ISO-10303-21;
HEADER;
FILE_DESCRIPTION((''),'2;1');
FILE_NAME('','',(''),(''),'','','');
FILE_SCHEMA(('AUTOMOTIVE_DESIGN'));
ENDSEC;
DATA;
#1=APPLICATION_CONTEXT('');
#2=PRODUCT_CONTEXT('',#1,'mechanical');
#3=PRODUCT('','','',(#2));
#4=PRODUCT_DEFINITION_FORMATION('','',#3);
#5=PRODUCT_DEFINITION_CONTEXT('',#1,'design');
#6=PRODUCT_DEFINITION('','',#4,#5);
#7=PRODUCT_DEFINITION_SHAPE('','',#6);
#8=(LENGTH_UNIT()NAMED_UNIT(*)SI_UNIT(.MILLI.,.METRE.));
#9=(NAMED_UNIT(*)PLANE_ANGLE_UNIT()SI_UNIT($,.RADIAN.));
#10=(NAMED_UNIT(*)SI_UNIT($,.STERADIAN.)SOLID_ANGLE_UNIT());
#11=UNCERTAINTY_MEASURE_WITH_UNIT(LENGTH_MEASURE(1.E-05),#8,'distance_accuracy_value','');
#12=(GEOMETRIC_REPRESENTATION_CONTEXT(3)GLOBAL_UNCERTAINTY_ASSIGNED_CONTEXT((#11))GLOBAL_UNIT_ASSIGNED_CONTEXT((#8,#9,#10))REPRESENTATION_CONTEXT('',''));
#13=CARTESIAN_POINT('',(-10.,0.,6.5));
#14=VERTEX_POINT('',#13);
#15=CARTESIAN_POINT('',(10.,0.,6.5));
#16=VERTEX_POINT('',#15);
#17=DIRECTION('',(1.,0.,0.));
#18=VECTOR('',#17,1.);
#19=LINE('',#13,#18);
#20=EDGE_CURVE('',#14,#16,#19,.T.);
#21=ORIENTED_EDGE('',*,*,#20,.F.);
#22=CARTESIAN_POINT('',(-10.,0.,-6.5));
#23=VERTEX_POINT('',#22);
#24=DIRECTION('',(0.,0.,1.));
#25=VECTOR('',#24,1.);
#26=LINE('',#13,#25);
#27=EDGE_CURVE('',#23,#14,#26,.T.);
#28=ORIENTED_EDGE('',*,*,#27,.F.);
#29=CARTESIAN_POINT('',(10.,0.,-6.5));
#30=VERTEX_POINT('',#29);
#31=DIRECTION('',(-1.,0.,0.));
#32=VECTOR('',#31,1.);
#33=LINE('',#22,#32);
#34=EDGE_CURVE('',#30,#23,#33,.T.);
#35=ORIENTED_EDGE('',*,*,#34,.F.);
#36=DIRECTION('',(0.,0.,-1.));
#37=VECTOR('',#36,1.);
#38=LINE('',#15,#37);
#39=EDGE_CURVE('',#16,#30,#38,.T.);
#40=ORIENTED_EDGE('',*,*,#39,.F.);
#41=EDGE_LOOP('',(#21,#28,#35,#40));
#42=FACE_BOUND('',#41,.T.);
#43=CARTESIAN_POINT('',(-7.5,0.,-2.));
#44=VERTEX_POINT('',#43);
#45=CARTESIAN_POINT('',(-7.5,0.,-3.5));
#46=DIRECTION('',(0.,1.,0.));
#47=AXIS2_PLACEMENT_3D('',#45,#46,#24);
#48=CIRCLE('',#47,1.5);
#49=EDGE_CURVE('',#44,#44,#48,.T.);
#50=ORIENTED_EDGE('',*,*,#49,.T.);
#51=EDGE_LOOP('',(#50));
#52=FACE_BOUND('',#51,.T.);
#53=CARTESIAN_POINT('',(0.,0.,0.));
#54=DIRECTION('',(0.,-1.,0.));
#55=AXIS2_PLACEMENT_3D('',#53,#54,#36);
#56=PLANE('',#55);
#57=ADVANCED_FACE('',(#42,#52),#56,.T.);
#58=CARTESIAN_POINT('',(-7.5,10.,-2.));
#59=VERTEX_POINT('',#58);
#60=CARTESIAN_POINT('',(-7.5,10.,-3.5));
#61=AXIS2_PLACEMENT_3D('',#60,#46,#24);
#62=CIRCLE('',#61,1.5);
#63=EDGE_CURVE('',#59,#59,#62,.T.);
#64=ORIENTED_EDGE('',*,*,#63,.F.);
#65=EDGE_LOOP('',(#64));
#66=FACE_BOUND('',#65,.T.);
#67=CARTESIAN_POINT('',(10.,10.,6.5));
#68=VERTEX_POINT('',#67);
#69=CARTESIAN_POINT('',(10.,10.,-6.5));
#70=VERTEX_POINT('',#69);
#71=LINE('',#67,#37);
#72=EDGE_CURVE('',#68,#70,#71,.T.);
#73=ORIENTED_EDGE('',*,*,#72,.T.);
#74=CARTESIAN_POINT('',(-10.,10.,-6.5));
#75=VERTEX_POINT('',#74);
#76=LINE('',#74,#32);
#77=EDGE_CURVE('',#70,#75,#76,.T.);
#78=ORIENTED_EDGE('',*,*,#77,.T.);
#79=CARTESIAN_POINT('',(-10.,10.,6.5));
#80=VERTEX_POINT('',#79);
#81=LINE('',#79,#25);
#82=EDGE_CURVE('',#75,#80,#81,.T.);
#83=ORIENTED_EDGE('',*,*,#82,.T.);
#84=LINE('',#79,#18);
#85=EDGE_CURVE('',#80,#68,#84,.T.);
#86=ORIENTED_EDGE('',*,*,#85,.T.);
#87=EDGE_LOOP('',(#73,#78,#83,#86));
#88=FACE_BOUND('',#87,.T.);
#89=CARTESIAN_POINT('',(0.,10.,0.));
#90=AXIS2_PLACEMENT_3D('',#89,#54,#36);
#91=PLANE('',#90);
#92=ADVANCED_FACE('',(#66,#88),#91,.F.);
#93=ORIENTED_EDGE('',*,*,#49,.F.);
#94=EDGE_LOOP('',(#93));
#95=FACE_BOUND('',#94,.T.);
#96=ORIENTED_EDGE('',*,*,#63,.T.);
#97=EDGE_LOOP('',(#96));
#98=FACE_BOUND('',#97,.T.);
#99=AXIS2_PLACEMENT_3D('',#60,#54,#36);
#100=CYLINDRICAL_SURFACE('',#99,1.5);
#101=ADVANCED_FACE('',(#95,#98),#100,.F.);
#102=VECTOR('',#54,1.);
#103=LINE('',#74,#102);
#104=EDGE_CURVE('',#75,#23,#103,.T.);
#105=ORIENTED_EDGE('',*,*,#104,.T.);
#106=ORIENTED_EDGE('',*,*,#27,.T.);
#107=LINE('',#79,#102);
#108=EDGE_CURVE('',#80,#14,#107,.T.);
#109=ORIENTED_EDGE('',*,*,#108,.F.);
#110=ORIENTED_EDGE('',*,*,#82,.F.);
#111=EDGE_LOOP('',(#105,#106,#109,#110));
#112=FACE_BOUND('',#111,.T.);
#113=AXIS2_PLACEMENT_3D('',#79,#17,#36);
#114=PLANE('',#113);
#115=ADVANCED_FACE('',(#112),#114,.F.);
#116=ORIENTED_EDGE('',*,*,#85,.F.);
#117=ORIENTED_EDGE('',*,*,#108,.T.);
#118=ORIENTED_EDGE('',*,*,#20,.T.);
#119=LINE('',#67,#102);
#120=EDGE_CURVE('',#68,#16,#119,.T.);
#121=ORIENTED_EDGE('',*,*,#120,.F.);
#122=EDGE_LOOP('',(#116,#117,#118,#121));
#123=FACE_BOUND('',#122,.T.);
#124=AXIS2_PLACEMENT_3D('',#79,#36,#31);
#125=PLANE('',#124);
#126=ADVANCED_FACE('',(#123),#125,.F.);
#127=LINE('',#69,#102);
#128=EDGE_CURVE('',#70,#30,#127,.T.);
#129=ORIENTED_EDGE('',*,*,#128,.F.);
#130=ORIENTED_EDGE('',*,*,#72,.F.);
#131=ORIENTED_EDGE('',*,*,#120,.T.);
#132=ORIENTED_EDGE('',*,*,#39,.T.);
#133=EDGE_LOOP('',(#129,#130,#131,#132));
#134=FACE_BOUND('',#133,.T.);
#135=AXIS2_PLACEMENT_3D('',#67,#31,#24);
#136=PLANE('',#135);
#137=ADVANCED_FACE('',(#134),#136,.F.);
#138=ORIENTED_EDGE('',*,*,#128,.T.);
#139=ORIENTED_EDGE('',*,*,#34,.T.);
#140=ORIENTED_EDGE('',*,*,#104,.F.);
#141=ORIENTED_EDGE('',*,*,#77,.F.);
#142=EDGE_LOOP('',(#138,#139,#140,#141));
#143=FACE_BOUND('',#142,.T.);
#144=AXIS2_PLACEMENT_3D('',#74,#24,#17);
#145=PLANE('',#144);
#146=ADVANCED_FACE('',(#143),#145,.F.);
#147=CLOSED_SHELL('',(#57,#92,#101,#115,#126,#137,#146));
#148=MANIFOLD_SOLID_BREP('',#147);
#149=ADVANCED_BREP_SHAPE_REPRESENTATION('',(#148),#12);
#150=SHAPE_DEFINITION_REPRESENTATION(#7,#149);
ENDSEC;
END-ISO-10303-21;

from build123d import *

# Parameters (mm, degrees)
ESQUISSE1_W        = 20
ESQUISSE1_H        = 13
ESQUISSE1_R        = 1.5
BOSS_EXTRU_1_DEPTH = 10


with BuildPart() as part:
    # Esquisse1 → Boss.-Extru.1 (new body)
    with BuildSketch(Plane(origin=(0, 0, 0), x_dir=(1, 0, 0), z_dir=(0, 1, 0))):
        Rectangle(ESQUISSE1_W, ESQUISSE1_H)
        with Locations(Location((-7.5, 3.5, 0), (0, 0, 270))):
            Circle(ESQUISSE1_R, mode=Mode.SUBTRACT)
    extrude(amount=BOSS_EXTRU_1_DEPTH)


solid = part.part
